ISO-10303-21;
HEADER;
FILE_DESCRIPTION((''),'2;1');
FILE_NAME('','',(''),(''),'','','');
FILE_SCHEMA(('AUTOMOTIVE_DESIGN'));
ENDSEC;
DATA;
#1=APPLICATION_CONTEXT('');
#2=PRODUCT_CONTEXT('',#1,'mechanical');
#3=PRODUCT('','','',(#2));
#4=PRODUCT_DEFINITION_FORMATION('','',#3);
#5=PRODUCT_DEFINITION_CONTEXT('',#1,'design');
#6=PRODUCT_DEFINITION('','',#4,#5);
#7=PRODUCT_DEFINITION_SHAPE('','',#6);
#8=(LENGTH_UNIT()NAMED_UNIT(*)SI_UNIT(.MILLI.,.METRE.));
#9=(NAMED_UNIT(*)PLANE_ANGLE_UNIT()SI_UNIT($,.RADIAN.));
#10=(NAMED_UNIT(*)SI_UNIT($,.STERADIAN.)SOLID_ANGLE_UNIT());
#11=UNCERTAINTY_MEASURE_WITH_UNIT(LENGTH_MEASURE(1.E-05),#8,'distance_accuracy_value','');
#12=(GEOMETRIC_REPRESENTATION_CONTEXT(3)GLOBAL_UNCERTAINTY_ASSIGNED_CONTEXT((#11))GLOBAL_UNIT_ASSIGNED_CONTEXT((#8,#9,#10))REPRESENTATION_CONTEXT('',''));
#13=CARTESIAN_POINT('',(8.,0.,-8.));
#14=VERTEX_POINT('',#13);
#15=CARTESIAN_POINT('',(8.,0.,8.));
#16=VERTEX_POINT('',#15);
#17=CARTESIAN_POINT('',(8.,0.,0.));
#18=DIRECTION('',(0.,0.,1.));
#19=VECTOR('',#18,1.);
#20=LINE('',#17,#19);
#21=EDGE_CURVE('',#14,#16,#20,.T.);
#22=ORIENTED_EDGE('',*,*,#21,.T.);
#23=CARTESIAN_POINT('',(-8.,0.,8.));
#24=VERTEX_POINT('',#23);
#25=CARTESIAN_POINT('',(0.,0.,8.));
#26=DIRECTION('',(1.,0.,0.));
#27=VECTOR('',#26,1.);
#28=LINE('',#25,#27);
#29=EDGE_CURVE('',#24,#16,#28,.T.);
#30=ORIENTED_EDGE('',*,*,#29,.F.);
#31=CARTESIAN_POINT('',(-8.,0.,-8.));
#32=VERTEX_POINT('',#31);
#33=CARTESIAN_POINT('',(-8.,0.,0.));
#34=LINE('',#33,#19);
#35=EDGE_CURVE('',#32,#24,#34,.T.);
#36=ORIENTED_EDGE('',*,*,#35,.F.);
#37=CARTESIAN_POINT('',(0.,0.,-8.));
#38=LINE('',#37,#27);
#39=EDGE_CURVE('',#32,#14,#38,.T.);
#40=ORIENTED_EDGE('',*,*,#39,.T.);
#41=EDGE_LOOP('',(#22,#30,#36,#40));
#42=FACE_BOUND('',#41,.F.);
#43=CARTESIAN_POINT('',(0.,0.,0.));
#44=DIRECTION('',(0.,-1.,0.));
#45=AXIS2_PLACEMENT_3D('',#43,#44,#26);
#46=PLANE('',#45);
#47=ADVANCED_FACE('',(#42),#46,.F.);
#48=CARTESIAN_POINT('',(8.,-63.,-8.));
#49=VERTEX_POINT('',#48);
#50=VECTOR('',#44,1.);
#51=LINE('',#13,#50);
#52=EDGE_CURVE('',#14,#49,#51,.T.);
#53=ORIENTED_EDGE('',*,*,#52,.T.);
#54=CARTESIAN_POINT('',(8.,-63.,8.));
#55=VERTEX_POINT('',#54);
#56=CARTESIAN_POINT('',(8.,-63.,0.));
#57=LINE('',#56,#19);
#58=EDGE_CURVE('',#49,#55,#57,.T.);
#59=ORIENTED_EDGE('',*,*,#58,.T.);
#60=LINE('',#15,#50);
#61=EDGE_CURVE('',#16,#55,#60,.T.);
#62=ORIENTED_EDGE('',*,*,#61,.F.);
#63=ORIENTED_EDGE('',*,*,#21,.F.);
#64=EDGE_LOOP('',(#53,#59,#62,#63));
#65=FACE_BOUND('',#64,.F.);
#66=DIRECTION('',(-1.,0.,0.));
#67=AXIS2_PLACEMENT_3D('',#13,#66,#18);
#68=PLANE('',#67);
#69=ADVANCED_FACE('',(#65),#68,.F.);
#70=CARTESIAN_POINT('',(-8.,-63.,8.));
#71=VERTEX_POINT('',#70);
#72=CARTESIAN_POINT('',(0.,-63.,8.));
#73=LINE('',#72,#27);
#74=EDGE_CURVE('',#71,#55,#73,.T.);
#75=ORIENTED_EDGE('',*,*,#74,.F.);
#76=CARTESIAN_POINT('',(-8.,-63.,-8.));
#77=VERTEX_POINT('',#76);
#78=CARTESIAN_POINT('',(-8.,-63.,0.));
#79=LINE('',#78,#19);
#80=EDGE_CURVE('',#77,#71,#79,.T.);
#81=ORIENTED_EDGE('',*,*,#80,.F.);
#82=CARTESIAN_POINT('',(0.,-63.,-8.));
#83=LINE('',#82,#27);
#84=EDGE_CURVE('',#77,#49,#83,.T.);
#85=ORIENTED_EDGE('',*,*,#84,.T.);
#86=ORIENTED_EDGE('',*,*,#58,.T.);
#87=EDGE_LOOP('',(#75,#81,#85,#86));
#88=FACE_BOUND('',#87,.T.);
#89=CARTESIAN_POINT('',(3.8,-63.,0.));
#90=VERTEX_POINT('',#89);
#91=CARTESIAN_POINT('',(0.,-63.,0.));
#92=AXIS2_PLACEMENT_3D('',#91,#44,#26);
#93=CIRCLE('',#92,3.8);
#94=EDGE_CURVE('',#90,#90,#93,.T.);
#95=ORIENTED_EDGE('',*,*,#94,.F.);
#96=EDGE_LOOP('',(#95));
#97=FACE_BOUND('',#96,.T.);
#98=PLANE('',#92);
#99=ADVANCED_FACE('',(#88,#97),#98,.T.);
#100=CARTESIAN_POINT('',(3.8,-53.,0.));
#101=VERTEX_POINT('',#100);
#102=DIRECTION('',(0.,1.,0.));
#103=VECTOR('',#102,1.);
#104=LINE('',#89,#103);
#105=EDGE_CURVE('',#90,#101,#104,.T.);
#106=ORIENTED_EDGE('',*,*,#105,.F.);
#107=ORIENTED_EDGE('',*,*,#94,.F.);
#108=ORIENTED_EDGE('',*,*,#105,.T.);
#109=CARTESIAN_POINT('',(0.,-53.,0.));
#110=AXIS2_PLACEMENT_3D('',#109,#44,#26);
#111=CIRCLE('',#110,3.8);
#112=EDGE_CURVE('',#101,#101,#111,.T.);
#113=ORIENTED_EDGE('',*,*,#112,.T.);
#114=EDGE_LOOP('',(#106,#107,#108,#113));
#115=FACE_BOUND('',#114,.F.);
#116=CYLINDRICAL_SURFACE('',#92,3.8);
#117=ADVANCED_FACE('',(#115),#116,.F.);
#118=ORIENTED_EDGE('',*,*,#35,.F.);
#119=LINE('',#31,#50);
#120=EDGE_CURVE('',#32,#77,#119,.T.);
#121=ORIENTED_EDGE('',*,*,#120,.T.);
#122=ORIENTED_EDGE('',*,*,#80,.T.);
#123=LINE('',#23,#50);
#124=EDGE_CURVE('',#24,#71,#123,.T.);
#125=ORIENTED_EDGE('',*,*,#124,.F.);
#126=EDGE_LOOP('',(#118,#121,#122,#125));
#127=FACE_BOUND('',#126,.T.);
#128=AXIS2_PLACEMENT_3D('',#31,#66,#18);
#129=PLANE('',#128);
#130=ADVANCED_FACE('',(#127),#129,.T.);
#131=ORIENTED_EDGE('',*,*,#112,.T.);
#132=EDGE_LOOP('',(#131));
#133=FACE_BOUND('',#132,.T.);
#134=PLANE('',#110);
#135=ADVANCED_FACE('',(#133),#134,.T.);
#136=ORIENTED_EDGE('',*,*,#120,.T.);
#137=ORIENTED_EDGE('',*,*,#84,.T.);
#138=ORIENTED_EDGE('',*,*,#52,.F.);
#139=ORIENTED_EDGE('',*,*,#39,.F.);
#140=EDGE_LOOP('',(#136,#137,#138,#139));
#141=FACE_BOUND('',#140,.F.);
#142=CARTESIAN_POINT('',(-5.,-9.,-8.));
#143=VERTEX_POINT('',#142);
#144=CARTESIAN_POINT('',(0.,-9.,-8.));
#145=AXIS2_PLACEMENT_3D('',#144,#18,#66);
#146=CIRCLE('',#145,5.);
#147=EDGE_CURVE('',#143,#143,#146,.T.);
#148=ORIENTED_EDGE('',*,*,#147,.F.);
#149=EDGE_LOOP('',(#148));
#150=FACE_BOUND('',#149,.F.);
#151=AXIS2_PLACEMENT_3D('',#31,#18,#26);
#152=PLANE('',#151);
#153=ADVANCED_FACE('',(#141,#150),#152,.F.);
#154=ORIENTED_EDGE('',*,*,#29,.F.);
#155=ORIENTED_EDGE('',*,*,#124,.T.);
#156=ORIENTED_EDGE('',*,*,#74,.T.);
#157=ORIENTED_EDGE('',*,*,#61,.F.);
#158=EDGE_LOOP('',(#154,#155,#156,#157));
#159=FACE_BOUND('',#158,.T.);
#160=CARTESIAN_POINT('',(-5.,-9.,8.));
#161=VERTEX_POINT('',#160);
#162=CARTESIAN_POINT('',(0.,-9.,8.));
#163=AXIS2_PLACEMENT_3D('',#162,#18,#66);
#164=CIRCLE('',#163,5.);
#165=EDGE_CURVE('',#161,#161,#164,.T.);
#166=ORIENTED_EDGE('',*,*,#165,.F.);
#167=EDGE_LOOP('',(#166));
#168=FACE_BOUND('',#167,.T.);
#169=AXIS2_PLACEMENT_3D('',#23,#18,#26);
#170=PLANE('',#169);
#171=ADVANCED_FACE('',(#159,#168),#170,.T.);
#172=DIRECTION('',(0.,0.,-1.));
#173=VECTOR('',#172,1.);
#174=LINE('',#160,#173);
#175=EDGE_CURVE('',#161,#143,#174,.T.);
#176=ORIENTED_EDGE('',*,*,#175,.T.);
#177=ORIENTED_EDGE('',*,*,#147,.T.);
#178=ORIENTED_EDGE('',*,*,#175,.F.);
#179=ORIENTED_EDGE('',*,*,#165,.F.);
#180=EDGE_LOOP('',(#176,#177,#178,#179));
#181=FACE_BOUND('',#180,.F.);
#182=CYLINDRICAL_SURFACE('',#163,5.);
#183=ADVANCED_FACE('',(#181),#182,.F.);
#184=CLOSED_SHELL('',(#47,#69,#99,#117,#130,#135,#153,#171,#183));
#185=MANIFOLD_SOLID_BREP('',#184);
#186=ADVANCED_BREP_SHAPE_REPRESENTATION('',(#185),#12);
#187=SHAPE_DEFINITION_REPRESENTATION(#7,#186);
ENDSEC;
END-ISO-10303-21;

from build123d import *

# Parameters (mm, degrees)
SKETCH_W        = 16
SKETCH_H        = 16
PAD_DEPTH       = 63
SKETCH001_R     = 5
POCKET_DEPTH    = 16
SKETCH002_R     = 3.8
POCKET001_DEPTH = 10


with BuildPart() as part:
    # Sketch → Pad (new body)
    with BuildSketch(Plane.XZ):
        Rectangle(SKETCH_W, SKETCH_H)
    extrude(amount=PAD_DEPTH)

    # Sketch001 → Pocket (cut)
    with BuildSketch(Plane(origin=(0, 0, 8), x_dir=(-1, 0, 0), z_dir=(0, 0, 1))):
        with Locations((0, 9)):
            Circle(SKETCH001_R)
    extrude(amount=-POCKET_DEPTH, mode=Mode.SUBTRACT)

    # Sketch002 → Pocket001 (cut)
    with BuildSketch(Plane.XZ.offset(63)):
        Circle(SKETCH002_R)
    extrude(amount=-POCKET001_DEPTH, mode=Mode.SUBTRACT)


solid = part.part
